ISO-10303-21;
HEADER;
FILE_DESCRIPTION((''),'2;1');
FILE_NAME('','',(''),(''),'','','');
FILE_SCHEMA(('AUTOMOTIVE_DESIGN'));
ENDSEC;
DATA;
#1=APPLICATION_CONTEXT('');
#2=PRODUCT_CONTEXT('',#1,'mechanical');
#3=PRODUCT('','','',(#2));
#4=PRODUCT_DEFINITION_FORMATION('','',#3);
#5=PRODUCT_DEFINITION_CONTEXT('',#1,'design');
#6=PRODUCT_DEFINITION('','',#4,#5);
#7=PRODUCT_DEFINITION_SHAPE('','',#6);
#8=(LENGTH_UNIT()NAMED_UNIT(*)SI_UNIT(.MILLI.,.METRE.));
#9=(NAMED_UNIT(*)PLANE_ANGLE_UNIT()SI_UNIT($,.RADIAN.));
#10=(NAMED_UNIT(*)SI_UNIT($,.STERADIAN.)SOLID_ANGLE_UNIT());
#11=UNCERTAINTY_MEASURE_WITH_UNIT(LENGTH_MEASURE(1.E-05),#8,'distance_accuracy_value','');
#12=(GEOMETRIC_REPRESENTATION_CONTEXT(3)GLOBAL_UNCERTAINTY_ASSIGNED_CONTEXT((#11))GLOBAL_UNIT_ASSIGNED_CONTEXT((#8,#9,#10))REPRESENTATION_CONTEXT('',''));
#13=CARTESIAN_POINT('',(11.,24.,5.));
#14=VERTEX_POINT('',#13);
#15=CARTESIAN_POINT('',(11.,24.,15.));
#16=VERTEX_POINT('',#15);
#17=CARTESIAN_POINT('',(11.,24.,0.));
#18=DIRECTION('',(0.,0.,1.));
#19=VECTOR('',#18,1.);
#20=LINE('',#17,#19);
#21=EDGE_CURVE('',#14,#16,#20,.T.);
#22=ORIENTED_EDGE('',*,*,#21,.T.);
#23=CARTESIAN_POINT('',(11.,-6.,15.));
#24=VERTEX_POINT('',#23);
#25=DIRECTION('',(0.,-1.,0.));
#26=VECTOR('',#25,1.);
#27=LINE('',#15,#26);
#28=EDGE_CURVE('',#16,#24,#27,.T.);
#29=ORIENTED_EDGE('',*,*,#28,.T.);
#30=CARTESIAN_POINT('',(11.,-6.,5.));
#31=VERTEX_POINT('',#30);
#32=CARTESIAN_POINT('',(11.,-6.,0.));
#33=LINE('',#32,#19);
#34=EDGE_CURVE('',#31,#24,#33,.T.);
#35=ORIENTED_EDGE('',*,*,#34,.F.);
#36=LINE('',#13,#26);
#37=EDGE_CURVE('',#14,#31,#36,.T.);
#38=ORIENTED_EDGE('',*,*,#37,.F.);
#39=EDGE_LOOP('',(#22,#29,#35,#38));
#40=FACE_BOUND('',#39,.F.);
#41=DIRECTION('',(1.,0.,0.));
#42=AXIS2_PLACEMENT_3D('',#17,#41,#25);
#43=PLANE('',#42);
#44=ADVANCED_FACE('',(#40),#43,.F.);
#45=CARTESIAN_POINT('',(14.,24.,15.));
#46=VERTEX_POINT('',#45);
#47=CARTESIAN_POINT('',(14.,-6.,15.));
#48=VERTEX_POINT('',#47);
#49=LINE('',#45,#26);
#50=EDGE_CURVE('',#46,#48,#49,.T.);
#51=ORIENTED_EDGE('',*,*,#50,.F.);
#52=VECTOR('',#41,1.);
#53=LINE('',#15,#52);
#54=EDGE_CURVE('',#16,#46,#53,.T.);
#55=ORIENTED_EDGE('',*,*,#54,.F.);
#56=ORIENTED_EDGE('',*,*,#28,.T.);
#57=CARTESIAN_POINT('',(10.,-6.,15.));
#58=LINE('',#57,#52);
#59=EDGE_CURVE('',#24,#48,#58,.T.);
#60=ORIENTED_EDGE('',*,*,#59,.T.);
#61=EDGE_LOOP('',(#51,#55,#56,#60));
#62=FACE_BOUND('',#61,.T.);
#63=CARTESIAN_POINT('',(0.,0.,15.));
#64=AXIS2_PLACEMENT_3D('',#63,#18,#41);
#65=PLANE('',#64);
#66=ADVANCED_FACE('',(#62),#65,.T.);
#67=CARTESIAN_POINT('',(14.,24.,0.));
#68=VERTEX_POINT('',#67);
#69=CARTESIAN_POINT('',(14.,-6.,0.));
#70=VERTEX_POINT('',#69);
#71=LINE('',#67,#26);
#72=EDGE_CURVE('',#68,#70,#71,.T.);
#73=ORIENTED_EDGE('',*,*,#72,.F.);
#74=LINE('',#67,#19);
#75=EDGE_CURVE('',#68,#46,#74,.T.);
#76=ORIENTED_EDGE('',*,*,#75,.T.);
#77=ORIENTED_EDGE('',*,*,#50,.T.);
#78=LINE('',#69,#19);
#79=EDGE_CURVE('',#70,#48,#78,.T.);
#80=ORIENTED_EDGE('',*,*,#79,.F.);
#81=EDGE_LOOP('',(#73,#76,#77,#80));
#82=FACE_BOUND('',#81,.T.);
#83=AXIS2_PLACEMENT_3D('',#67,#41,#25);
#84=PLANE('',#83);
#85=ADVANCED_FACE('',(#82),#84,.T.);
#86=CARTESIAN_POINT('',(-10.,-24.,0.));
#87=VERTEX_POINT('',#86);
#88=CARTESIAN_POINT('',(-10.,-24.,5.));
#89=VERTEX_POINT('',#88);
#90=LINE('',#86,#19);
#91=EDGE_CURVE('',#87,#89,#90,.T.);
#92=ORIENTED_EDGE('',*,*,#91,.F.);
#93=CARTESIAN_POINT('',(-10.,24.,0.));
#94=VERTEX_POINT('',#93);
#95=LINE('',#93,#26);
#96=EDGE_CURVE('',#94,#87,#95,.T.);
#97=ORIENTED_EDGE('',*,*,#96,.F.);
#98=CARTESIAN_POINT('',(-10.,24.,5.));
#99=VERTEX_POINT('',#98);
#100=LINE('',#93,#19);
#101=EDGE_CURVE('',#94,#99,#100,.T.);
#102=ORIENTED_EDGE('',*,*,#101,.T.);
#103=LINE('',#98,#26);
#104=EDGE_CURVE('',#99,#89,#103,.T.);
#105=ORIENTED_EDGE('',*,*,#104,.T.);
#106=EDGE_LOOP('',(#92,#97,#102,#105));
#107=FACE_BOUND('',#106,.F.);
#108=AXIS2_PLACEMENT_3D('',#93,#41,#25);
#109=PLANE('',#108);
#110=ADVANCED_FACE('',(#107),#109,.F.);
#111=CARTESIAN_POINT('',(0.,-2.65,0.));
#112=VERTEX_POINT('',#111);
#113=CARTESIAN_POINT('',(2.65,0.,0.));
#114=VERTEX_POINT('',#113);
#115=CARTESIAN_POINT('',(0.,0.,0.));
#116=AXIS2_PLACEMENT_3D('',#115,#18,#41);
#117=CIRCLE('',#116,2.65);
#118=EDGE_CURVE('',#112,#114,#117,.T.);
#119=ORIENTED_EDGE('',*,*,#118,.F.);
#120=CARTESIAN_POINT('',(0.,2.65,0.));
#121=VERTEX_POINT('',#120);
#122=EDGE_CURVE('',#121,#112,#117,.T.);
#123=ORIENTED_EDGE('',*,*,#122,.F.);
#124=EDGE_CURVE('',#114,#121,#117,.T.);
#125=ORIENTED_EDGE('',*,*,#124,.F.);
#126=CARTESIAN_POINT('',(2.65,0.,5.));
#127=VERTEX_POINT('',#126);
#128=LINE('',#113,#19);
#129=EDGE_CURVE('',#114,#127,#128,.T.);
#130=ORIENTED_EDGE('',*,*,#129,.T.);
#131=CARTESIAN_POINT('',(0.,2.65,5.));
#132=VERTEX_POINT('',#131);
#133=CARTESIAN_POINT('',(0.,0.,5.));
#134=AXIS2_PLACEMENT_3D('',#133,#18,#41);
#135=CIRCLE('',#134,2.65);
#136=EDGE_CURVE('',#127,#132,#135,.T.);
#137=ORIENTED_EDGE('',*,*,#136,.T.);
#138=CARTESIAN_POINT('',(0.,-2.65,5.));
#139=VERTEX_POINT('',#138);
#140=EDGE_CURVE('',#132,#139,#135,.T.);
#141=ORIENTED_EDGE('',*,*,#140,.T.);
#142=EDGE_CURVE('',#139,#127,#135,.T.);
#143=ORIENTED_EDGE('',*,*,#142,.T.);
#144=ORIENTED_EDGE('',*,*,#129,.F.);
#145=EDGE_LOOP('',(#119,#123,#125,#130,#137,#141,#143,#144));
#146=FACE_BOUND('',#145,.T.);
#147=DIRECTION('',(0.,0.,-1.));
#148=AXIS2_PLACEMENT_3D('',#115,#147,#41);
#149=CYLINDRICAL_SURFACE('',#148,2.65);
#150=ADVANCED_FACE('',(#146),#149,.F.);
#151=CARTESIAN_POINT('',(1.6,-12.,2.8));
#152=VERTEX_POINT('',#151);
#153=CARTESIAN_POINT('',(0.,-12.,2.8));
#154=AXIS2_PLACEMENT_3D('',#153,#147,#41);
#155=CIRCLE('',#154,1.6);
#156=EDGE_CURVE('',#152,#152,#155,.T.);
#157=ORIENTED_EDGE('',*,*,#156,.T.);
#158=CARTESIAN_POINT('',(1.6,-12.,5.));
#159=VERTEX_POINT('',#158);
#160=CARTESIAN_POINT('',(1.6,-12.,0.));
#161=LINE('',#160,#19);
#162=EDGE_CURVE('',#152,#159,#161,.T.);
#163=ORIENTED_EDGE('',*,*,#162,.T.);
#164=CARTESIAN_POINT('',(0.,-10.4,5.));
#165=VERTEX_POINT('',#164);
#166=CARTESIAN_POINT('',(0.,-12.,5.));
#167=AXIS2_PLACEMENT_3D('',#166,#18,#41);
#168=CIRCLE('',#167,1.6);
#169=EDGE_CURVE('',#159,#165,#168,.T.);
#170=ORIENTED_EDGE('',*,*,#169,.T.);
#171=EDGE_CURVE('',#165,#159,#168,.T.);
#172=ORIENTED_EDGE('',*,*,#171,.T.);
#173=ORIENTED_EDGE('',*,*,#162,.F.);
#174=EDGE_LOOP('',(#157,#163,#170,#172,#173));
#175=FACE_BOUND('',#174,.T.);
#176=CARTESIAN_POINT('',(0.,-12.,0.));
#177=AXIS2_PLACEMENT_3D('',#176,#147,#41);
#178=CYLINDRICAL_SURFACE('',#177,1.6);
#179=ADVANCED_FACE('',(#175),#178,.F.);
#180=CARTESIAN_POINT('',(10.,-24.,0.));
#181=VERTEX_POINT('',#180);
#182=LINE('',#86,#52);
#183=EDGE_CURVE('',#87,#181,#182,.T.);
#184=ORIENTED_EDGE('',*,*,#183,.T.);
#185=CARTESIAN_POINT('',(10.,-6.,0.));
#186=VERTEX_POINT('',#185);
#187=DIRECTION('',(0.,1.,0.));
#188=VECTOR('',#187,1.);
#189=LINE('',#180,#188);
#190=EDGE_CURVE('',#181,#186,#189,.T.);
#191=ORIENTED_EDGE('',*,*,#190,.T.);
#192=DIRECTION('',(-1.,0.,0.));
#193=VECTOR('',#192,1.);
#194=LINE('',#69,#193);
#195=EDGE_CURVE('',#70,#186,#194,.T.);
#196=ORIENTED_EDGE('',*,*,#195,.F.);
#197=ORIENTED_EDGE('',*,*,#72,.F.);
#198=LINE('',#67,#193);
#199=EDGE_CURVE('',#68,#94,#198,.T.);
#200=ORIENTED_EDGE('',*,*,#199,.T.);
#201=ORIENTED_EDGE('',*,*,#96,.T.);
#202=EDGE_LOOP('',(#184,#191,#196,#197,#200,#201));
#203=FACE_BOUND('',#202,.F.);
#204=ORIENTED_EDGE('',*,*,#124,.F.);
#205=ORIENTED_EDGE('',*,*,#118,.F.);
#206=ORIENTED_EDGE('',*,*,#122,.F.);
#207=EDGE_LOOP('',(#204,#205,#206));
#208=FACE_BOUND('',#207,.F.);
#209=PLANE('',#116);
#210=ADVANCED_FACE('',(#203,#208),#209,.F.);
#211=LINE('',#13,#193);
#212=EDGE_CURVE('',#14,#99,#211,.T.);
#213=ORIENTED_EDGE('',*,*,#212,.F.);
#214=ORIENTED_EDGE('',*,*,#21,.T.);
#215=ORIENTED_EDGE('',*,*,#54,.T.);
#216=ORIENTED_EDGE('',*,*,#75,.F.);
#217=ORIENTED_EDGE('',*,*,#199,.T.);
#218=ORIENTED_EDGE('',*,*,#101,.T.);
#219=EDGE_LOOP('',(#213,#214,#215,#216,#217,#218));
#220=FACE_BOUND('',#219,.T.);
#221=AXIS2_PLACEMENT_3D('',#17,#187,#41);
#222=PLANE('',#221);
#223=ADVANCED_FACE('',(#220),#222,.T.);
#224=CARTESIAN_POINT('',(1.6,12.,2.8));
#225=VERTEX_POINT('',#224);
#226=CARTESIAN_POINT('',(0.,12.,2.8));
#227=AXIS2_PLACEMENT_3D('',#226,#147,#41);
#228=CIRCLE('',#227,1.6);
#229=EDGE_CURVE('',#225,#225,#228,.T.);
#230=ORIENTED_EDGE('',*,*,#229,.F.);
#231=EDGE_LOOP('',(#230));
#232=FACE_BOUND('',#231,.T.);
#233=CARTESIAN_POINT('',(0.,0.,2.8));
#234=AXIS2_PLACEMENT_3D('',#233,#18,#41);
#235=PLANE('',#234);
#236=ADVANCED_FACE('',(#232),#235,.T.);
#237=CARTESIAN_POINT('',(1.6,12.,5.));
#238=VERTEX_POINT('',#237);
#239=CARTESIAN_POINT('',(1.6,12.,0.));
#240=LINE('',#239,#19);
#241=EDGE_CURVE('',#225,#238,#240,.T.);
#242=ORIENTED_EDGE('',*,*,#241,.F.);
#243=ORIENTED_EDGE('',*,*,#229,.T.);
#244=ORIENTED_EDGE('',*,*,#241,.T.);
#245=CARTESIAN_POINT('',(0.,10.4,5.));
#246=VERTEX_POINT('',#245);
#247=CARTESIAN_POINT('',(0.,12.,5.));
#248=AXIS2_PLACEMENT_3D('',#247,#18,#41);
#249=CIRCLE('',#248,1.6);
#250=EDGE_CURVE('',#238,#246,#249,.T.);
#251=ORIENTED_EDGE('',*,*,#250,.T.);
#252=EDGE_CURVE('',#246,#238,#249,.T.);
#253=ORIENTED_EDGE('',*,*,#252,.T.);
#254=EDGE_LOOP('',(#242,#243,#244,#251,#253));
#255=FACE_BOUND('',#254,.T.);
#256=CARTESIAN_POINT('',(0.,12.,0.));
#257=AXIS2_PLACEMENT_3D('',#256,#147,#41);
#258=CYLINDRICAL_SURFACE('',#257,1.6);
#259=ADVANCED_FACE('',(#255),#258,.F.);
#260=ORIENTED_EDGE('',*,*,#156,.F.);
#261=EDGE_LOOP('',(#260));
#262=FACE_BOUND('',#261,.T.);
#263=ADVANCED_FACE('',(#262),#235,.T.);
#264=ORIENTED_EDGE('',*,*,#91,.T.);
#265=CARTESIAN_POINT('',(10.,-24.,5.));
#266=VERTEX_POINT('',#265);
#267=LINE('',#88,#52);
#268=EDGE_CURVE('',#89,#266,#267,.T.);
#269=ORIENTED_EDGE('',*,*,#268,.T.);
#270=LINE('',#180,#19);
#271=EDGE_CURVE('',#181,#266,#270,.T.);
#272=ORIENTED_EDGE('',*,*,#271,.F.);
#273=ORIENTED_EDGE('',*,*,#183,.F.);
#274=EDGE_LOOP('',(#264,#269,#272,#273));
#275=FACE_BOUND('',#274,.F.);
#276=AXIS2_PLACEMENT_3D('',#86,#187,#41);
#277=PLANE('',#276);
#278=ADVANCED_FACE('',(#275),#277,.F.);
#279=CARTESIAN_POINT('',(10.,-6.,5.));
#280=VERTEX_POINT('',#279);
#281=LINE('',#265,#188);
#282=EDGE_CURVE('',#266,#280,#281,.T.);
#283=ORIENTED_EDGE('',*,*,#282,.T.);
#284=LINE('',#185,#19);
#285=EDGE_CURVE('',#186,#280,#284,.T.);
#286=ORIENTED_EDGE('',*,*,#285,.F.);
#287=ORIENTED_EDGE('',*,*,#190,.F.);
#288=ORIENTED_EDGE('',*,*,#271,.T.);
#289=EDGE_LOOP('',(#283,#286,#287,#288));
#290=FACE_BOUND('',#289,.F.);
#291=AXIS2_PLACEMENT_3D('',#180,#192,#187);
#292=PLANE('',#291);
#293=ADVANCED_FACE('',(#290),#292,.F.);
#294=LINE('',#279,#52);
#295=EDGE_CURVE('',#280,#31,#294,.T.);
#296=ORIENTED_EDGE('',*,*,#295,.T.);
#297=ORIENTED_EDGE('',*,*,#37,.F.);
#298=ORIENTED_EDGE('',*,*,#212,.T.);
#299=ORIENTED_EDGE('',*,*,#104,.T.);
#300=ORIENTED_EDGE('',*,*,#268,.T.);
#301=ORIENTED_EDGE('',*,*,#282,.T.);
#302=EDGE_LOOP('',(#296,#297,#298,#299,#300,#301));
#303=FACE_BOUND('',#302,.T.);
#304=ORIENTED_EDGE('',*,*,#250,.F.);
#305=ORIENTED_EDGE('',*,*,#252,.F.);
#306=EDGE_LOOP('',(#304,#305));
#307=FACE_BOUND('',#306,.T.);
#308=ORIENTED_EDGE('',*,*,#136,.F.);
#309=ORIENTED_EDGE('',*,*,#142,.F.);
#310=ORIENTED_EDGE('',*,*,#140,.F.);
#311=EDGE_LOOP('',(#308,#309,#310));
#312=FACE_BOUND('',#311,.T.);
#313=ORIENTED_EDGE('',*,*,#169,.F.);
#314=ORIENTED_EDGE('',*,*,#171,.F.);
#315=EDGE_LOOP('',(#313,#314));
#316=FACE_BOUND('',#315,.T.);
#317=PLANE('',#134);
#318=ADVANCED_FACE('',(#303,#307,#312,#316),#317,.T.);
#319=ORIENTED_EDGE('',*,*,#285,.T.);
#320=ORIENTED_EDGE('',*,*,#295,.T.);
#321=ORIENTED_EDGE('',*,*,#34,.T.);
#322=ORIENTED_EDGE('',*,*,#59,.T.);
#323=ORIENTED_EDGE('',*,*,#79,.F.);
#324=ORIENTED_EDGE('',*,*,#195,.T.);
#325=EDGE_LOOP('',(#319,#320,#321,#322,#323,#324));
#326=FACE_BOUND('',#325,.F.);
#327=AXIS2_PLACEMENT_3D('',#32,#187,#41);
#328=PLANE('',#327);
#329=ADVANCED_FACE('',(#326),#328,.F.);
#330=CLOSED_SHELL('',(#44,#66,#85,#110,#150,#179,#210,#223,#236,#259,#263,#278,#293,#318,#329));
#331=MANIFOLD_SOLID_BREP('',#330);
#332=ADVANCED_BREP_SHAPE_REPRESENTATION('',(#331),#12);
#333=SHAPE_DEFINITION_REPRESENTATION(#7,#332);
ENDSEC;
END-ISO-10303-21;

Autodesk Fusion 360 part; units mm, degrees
sketch "스케치1" plane through (0, 0, 0) normal (0, 0, 1) x (1, 0, 0)
  line L0 (10, 24) -> (-10, 24)
  line L1 (-10, 24) -> (-10, -24)
  line L2 (-10, -24) -> (10, -24)
  line L3 (10, -24) -> (10, 24)
  line L4 (10, 24) -> (-10, -24) construction
  line L5 (-10, 24) -> (10, -24) construction
  circle A0 centre (0, 0) radius 2.65
  line L6 (0, 0) -> (0, 12)
  circle A1 centre (0, 12) radius 1.6
  line L7 (0, 0) -> (0, -12)
  circle A2 centre (0, -12) radius 1.6
  line L8 (10, 24) -> (11, 24)
  line L9 (11, 24) -> (11, -24)
  line L10 (11, -24) -> (10, -24)
  line L11 (10, -24) -> (10, 24)
  line L12 (11, 24) -> (14, 24)
  line L13 (14, 24) -> (14, -24)
  line L14 (14, -24) -> (11, -24)
  line L15 (11, -24) -> (11, 24)
  line L16 (10, -6) -> (14, -6)
  dimension "d1" = 20
  dimension "d2" = 48
  dimension "d3" = 5.3
  dimension "d4" = 12
  dimension "d5" = 3.2
  dimension "d6" = 12
  dimension "d7" = 3.2
  dimension "d12" = 3
extrude "돌출1" add sketch "스케치1" along normal blind 5 contours L0 L1 L2 L3 L11 | L3 L8 L9 L11 L15 L16
extrude "돌출2" add sketch "스케치1" along normal blind 2.8 contours A2 | A1
extrude "돌출3" add sketch "스케치1" along normal blind 15 contours L9 L12 L13 L15 L16
